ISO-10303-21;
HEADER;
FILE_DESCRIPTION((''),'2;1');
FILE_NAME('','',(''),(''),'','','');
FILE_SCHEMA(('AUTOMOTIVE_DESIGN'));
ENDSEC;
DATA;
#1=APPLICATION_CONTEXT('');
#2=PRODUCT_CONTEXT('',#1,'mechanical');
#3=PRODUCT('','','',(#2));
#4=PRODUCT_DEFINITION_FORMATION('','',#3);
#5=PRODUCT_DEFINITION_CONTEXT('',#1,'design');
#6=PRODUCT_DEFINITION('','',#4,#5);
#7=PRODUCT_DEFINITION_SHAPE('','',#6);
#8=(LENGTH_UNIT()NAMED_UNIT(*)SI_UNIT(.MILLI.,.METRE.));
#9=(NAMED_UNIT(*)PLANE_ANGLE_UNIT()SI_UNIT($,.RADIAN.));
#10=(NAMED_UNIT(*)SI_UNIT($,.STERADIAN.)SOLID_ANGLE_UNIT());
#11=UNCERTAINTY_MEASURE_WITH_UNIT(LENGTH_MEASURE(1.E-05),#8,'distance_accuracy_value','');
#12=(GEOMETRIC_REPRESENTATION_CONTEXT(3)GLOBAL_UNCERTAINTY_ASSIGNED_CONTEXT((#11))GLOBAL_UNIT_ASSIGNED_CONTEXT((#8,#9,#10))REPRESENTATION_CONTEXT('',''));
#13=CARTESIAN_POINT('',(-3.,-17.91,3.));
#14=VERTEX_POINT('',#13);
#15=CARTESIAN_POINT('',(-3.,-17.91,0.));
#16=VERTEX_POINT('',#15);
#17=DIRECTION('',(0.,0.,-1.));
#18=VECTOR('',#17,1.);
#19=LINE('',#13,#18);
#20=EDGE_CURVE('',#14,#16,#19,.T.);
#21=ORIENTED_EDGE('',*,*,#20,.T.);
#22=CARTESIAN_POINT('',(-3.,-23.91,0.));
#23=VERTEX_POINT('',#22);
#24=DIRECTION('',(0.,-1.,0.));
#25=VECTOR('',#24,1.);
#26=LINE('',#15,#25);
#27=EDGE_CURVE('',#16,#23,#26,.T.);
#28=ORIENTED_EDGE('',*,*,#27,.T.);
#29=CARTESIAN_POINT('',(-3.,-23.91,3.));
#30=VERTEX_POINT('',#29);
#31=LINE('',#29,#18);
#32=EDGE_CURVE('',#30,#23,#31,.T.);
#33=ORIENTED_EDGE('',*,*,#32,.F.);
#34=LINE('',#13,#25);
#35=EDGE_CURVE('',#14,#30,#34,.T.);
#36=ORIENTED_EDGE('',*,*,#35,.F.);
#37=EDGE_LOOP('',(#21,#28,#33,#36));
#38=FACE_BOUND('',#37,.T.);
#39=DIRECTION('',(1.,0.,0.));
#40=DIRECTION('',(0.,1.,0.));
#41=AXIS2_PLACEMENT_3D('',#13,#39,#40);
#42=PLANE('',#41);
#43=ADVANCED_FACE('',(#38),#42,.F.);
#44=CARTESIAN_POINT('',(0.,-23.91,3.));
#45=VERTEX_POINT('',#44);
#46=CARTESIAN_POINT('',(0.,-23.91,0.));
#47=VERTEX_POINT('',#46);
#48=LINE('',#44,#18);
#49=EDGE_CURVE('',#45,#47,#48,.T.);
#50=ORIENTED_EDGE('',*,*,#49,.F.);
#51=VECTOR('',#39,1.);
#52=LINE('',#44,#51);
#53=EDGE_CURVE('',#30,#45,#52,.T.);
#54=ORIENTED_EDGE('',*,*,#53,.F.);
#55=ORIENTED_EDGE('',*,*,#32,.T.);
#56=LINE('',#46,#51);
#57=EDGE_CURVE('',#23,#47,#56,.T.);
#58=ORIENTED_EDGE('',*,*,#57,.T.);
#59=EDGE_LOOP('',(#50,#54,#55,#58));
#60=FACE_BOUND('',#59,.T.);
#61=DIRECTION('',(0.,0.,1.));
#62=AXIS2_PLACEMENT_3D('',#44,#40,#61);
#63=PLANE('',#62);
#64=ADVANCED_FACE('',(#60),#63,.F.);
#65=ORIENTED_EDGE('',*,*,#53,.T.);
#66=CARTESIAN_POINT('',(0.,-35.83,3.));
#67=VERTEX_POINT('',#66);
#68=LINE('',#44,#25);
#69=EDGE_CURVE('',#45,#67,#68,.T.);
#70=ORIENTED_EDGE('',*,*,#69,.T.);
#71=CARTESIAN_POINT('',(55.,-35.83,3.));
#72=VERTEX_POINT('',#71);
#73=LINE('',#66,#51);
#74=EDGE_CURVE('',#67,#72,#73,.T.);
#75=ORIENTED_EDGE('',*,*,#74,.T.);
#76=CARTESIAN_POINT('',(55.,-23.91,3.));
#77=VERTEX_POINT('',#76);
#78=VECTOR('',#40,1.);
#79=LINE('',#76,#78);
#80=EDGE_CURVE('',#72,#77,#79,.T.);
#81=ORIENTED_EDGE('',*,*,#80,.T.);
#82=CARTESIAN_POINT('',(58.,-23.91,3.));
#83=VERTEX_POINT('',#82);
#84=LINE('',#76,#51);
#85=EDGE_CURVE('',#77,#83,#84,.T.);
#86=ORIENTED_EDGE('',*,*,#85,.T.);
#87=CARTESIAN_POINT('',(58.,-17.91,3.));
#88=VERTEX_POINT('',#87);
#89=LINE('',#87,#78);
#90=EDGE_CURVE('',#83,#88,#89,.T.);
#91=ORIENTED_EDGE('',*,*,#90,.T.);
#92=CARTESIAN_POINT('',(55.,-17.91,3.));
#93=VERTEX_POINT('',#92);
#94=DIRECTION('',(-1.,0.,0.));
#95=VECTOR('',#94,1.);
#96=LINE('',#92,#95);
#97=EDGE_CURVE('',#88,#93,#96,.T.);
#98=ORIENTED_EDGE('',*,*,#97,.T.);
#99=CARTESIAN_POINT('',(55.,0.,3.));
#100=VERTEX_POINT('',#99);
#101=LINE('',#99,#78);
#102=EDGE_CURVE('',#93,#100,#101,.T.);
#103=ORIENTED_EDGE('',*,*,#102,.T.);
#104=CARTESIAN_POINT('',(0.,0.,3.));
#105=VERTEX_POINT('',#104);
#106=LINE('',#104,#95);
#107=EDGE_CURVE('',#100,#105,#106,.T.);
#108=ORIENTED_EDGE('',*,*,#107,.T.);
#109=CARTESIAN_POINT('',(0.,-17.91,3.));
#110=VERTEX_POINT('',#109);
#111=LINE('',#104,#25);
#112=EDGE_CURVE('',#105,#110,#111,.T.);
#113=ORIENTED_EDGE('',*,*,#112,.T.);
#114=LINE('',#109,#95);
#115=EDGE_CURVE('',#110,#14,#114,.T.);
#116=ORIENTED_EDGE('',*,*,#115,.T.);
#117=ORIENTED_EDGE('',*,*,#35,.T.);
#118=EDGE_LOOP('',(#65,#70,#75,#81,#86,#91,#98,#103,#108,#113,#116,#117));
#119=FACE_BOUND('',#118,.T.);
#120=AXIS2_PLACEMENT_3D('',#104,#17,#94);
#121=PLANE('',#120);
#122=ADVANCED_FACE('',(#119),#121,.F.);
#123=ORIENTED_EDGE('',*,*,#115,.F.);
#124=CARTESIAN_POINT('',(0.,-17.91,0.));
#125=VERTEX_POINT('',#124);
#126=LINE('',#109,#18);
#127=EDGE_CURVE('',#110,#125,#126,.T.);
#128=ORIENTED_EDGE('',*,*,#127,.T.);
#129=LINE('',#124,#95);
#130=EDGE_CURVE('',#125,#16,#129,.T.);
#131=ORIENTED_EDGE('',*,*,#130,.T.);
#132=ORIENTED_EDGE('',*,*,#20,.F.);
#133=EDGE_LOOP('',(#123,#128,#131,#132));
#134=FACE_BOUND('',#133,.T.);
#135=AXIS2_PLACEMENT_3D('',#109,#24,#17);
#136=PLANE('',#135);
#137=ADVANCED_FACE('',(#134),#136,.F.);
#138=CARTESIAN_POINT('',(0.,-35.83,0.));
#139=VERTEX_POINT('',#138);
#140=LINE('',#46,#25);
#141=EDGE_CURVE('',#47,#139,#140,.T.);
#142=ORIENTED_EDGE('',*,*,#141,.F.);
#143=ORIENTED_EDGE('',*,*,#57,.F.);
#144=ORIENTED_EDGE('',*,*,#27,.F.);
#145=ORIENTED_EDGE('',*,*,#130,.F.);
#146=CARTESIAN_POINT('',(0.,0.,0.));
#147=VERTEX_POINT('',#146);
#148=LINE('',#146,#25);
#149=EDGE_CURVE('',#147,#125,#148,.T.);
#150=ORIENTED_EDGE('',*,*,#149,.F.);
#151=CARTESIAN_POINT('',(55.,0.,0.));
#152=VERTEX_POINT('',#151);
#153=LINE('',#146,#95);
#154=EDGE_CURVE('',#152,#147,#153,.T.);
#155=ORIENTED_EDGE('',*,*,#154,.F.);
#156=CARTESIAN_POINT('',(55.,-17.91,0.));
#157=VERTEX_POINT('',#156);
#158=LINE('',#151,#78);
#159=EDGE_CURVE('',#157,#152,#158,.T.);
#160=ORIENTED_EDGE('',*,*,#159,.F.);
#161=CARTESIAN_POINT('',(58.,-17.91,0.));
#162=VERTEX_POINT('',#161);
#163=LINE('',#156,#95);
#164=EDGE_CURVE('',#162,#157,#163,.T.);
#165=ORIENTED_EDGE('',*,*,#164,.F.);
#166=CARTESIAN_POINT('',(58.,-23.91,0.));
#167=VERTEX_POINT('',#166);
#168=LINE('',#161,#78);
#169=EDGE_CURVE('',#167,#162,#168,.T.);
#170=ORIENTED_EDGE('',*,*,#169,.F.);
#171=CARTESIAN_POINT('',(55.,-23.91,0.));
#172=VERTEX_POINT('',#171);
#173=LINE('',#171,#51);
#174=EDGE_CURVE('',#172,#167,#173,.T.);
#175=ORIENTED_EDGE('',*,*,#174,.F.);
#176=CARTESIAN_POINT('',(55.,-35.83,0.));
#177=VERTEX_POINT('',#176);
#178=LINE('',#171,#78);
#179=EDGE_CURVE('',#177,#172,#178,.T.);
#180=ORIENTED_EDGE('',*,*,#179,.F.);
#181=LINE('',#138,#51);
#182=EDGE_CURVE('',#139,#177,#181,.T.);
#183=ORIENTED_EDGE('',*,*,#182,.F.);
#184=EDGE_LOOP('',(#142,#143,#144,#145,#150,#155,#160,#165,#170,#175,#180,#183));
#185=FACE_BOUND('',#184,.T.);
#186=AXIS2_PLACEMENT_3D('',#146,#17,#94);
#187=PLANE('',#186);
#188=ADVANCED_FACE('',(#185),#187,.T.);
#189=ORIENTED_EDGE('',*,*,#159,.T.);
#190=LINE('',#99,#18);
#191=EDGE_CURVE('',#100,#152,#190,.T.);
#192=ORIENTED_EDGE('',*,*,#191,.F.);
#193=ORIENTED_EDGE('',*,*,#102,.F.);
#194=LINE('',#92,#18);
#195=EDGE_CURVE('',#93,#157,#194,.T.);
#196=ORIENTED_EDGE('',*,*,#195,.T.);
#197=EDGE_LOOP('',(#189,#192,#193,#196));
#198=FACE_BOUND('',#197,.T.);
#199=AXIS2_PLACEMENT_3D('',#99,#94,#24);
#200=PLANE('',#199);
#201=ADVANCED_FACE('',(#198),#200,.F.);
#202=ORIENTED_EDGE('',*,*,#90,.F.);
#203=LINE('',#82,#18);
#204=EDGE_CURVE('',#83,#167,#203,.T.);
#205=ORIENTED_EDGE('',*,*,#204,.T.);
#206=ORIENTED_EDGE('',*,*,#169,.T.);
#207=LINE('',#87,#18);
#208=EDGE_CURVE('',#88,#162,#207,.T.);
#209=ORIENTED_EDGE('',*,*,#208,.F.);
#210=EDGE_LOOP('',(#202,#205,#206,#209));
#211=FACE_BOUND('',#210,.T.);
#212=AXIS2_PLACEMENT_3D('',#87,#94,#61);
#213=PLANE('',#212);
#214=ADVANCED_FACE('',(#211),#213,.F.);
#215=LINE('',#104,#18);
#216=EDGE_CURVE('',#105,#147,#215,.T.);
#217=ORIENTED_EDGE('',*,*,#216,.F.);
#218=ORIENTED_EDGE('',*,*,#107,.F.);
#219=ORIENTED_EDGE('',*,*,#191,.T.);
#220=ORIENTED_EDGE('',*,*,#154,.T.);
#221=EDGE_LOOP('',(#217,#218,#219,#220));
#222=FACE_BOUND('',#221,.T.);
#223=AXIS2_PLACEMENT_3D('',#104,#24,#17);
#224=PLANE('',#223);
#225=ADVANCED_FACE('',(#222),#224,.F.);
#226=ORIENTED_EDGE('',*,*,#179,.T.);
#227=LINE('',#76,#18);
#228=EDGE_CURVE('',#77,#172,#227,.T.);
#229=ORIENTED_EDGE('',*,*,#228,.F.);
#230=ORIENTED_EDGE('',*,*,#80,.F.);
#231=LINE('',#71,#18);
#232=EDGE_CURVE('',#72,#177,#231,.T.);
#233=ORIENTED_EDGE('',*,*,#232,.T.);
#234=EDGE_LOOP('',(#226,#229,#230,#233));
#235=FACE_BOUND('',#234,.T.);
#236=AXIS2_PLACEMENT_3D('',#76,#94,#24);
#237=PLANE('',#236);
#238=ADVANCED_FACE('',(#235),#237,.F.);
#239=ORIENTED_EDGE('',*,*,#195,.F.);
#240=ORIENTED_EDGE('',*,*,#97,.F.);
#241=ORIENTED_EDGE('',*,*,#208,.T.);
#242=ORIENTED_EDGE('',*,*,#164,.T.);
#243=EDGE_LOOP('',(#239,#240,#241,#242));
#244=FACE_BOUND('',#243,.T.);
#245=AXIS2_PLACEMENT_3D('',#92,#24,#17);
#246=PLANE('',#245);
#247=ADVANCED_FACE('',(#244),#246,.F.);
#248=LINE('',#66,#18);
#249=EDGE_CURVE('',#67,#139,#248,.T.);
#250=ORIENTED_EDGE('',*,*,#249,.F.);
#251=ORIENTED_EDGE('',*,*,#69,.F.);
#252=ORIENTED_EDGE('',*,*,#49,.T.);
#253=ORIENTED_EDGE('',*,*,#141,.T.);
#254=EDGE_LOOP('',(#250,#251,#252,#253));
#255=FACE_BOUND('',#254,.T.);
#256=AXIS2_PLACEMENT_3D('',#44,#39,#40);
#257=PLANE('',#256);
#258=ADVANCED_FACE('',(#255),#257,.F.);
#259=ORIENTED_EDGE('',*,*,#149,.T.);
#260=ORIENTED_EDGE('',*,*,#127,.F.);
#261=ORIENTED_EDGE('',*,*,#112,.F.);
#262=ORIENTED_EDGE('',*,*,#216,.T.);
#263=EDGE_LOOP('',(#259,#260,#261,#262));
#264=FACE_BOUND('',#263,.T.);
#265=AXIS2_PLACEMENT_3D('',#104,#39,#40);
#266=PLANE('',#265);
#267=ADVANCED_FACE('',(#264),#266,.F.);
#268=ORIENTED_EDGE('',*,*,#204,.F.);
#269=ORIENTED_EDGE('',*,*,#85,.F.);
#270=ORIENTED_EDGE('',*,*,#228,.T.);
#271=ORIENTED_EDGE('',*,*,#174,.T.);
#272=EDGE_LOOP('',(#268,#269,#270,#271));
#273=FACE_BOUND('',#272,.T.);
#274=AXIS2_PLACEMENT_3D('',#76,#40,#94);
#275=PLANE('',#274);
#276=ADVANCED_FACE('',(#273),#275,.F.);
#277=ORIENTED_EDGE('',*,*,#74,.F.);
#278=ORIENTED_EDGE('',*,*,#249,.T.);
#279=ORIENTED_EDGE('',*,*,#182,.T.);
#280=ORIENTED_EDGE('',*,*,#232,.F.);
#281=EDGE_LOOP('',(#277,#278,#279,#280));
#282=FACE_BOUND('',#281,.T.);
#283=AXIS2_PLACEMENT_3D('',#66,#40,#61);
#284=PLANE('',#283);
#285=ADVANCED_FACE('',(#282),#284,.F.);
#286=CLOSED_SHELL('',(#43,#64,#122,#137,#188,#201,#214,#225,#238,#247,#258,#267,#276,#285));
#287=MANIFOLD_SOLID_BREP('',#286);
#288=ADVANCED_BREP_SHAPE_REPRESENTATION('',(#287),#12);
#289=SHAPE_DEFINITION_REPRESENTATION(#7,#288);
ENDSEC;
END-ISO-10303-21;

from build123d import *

# Parameters (mm, degrees)
P_IDAT_VYSUNUT_M1_DEPTH = 3


with BuildPart() as part:
    # Skica1 → Přidat vysunutím1 (new body)
    with BuildSketch(Plane.XY):
        Polygon((55, -23.91), (55, -35.83), (0, -35.83), (0, -23.91), (-3, -23.91), (-3, -17.91), (0, -17.91), (0, 0), (55, 0), (55, -17.91), (58, -17.91), (58, -23.91), align=None)
    extrude(amount=P_IDAT_VYSUNUT_M1_DEPTH)


solid = part.part
